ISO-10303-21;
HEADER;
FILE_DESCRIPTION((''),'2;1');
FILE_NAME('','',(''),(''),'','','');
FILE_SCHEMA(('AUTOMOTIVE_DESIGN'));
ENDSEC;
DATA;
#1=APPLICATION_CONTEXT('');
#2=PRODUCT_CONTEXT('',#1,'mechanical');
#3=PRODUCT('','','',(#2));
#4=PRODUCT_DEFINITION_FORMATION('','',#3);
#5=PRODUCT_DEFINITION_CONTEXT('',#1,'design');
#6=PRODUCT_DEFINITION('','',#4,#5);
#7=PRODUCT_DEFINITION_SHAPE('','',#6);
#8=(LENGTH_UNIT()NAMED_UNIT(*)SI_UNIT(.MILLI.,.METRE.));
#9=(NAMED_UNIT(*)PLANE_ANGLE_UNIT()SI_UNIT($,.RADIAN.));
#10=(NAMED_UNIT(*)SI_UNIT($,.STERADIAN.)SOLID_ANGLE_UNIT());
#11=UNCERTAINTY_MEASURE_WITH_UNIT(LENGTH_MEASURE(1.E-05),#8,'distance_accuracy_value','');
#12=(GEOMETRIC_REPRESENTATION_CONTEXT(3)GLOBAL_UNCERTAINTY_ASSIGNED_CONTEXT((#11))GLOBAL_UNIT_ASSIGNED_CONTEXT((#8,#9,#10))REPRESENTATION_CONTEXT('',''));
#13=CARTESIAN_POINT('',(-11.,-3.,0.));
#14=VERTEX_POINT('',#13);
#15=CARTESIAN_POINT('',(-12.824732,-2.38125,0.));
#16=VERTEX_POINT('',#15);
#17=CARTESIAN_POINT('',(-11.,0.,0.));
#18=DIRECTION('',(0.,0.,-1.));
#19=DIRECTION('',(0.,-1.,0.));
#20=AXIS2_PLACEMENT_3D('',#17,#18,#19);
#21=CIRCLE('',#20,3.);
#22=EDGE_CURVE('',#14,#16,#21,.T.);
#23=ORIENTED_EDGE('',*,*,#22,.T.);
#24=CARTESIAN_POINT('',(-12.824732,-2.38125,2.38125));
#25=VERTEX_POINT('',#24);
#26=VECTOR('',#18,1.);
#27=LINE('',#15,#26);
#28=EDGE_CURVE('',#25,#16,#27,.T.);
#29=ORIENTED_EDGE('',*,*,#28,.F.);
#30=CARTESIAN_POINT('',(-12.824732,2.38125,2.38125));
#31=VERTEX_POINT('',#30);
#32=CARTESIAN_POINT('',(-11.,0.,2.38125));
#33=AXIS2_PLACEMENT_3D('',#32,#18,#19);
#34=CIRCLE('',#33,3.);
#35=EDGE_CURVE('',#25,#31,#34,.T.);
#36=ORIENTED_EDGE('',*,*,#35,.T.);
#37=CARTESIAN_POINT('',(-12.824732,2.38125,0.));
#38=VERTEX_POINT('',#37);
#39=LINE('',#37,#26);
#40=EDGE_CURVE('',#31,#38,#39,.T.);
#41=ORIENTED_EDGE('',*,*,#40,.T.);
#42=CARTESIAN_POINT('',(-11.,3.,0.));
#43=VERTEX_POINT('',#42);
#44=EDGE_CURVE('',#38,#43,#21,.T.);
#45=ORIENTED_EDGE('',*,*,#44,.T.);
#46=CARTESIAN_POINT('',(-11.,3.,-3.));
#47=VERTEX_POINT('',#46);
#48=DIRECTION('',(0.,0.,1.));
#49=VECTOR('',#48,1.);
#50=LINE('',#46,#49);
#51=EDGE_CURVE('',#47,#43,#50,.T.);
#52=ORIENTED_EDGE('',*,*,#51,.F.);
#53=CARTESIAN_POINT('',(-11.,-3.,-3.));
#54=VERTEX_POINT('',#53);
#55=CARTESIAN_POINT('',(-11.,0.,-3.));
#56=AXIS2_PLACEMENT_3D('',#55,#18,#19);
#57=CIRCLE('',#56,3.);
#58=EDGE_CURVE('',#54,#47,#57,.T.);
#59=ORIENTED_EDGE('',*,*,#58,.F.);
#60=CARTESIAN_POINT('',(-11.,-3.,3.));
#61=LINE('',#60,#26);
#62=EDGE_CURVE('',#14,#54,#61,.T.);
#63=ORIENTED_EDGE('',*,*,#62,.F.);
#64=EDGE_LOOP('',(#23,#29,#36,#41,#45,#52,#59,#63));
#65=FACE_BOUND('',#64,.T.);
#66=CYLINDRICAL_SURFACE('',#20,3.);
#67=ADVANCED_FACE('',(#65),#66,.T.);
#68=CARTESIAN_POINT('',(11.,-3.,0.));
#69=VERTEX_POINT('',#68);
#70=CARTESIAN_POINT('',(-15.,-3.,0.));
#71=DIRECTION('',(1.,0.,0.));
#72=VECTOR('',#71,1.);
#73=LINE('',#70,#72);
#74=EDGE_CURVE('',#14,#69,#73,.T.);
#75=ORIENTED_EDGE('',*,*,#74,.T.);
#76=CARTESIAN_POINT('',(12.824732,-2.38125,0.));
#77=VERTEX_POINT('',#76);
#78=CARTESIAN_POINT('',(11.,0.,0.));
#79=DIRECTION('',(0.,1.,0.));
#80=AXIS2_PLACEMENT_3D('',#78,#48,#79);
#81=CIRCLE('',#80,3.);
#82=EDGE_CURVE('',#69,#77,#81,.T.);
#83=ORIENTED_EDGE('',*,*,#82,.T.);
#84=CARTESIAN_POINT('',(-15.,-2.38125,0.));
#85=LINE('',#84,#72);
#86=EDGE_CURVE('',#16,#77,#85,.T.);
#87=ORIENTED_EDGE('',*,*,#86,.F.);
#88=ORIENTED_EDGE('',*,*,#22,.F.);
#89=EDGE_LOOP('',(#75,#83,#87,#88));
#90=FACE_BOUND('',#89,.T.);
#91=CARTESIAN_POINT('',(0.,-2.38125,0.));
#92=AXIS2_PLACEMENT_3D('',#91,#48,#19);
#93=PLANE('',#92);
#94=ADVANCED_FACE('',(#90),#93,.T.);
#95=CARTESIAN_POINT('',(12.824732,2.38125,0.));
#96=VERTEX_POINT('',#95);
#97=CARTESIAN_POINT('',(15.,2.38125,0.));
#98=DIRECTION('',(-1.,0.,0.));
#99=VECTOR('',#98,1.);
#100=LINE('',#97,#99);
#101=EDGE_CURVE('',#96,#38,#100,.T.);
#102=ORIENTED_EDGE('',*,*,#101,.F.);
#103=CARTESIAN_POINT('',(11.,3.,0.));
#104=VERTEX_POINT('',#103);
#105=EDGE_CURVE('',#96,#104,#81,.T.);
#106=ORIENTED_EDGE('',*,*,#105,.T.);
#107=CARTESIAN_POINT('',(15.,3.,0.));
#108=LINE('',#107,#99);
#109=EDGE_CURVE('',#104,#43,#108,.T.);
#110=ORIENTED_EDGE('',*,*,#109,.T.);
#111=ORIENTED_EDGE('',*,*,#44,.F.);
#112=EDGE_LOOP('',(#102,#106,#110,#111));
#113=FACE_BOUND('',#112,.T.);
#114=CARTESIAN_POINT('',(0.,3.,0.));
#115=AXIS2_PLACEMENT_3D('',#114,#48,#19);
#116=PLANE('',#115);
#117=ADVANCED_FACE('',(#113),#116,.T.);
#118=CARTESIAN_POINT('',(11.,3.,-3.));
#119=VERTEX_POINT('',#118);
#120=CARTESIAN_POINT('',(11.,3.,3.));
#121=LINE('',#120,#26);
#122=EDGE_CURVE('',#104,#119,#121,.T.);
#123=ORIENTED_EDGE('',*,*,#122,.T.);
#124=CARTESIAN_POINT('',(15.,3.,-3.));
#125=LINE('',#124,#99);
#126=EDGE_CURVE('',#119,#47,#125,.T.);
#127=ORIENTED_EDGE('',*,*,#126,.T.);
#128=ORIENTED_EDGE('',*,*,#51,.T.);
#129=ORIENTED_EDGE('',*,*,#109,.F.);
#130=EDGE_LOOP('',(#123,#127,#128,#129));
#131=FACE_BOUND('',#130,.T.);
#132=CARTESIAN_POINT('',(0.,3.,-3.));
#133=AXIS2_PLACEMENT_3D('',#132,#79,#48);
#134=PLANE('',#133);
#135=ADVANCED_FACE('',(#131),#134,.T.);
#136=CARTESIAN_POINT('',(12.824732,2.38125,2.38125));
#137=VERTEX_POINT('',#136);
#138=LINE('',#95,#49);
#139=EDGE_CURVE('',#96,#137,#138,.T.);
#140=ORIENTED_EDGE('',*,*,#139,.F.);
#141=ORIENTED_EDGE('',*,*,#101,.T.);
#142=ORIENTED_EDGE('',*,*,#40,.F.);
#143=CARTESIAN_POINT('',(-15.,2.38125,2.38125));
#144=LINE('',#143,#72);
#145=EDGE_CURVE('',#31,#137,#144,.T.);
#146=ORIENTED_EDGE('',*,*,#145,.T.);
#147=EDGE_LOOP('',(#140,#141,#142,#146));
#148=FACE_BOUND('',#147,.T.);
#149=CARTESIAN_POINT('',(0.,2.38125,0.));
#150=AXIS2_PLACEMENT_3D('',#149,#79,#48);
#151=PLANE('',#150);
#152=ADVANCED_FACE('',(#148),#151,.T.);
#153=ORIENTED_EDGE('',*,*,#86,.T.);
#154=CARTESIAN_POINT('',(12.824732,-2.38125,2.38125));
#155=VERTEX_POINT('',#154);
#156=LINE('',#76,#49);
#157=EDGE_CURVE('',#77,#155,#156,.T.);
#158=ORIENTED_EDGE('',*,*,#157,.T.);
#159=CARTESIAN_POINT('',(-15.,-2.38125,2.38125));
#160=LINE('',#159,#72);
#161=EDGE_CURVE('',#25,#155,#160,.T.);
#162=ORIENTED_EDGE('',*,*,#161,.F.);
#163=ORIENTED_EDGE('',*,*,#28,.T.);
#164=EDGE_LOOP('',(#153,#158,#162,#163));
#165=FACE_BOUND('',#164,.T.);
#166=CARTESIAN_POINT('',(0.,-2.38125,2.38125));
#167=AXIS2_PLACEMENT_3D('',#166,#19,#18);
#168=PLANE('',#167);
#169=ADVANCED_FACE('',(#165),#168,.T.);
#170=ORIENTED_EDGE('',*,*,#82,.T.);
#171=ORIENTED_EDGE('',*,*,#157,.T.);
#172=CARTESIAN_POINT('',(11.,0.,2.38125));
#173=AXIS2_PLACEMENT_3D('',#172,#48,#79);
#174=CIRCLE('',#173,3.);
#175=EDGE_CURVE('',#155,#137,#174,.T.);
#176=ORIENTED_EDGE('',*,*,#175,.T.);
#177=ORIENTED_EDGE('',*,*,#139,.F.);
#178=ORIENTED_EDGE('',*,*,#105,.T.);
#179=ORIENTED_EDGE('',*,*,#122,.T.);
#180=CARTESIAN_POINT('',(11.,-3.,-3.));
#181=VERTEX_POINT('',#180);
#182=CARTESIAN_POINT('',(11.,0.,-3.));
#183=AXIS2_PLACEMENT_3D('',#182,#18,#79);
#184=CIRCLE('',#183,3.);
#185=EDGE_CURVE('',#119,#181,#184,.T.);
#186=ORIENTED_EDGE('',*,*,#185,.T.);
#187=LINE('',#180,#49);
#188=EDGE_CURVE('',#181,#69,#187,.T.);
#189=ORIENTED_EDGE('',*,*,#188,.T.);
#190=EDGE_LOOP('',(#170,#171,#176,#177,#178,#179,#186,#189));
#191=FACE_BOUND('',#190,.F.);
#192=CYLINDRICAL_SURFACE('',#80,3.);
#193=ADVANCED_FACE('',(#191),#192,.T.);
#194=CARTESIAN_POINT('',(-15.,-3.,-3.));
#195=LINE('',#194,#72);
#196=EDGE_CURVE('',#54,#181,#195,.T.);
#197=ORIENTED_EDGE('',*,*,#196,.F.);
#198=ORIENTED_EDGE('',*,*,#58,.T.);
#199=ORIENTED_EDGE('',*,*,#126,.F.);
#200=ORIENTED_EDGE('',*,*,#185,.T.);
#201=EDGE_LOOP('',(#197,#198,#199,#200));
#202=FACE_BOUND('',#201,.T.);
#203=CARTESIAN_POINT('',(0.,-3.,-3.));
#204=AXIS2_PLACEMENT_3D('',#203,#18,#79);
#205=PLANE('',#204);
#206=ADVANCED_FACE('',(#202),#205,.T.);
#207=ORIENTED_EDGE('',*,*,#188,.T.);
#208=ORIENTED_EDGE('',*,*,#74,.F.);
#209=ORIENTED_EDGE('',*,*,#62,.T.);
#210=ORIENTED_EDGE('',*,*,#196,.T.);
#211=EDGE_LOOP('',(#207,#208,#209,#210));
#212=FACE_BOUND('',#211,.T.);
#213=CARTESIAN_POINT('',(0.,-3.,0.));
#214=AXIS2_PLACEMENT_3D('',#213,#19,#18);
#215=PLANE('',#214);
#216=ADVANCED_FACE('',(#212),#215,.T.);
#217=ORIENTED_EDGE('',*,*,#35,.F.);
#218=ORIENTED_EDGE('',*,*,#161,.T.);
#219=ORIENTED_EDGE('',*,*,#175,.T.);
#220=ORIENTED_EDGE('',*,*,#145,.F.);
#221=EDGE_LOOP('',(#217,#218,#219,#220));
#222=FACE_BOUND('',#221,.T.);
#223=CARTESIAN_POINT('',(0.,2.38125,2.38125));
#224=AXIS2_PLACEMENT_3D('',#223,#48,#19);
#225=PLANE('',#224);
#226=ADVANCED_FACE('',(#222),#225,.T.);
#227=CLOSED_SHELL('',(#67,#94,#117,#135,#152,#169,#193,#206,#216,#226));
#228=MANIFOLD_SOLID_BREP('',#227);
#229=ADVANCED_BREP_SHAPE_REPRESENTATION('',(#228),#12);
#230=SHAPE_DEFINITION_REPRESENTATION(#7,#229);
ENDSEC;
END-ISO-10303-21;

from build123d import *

# Parameters (mm, degrees)
F2_DEPTH = 15
F3_DEPTH = 3


with BuildPart() as f2:
    # F0 (on Right) → F2 (new body, symmetric)
    with BuildSketch(Plane.YZ):
        Polygon((2.38125, 0), (2.38125, 2.38125), (-2.38125, 2.38125), (-2.38125, 0), (-3, 0), (-3, -3), (3, -3), (3, 0), align=None)
    extrude(amount=F2_DEPTH, both=True)

    # F1 (on Top) → F3 (cut, symmetric)
    with BuildSketch(Plane.XY):
        with BuildLine():
            ThreePointArc((-11, -3), (-14, 0), (-11, 3))
            Line((-11, 3), (-11, 9.35))
            ThreePointArc((-11, 9.35), (-20.35, 0), (-11, -9.35))
            Line((-11, -9.35), (-11, -3))
        make_face()
        with BuildLine():
            ThreePointArc((11, 3), (14, 0), (11, -3))
            Line((11, -3), (11, -9.35))
            ThreePointArc((11, -9.35), (20.35, 0), (11, 9.35))
            Line((11, 9.35), (11, 3))
        make_face()
    extrude(amount=F3_DEPTH, both=True, mode=Mode.SUBTRACT)


solid = f2.part
